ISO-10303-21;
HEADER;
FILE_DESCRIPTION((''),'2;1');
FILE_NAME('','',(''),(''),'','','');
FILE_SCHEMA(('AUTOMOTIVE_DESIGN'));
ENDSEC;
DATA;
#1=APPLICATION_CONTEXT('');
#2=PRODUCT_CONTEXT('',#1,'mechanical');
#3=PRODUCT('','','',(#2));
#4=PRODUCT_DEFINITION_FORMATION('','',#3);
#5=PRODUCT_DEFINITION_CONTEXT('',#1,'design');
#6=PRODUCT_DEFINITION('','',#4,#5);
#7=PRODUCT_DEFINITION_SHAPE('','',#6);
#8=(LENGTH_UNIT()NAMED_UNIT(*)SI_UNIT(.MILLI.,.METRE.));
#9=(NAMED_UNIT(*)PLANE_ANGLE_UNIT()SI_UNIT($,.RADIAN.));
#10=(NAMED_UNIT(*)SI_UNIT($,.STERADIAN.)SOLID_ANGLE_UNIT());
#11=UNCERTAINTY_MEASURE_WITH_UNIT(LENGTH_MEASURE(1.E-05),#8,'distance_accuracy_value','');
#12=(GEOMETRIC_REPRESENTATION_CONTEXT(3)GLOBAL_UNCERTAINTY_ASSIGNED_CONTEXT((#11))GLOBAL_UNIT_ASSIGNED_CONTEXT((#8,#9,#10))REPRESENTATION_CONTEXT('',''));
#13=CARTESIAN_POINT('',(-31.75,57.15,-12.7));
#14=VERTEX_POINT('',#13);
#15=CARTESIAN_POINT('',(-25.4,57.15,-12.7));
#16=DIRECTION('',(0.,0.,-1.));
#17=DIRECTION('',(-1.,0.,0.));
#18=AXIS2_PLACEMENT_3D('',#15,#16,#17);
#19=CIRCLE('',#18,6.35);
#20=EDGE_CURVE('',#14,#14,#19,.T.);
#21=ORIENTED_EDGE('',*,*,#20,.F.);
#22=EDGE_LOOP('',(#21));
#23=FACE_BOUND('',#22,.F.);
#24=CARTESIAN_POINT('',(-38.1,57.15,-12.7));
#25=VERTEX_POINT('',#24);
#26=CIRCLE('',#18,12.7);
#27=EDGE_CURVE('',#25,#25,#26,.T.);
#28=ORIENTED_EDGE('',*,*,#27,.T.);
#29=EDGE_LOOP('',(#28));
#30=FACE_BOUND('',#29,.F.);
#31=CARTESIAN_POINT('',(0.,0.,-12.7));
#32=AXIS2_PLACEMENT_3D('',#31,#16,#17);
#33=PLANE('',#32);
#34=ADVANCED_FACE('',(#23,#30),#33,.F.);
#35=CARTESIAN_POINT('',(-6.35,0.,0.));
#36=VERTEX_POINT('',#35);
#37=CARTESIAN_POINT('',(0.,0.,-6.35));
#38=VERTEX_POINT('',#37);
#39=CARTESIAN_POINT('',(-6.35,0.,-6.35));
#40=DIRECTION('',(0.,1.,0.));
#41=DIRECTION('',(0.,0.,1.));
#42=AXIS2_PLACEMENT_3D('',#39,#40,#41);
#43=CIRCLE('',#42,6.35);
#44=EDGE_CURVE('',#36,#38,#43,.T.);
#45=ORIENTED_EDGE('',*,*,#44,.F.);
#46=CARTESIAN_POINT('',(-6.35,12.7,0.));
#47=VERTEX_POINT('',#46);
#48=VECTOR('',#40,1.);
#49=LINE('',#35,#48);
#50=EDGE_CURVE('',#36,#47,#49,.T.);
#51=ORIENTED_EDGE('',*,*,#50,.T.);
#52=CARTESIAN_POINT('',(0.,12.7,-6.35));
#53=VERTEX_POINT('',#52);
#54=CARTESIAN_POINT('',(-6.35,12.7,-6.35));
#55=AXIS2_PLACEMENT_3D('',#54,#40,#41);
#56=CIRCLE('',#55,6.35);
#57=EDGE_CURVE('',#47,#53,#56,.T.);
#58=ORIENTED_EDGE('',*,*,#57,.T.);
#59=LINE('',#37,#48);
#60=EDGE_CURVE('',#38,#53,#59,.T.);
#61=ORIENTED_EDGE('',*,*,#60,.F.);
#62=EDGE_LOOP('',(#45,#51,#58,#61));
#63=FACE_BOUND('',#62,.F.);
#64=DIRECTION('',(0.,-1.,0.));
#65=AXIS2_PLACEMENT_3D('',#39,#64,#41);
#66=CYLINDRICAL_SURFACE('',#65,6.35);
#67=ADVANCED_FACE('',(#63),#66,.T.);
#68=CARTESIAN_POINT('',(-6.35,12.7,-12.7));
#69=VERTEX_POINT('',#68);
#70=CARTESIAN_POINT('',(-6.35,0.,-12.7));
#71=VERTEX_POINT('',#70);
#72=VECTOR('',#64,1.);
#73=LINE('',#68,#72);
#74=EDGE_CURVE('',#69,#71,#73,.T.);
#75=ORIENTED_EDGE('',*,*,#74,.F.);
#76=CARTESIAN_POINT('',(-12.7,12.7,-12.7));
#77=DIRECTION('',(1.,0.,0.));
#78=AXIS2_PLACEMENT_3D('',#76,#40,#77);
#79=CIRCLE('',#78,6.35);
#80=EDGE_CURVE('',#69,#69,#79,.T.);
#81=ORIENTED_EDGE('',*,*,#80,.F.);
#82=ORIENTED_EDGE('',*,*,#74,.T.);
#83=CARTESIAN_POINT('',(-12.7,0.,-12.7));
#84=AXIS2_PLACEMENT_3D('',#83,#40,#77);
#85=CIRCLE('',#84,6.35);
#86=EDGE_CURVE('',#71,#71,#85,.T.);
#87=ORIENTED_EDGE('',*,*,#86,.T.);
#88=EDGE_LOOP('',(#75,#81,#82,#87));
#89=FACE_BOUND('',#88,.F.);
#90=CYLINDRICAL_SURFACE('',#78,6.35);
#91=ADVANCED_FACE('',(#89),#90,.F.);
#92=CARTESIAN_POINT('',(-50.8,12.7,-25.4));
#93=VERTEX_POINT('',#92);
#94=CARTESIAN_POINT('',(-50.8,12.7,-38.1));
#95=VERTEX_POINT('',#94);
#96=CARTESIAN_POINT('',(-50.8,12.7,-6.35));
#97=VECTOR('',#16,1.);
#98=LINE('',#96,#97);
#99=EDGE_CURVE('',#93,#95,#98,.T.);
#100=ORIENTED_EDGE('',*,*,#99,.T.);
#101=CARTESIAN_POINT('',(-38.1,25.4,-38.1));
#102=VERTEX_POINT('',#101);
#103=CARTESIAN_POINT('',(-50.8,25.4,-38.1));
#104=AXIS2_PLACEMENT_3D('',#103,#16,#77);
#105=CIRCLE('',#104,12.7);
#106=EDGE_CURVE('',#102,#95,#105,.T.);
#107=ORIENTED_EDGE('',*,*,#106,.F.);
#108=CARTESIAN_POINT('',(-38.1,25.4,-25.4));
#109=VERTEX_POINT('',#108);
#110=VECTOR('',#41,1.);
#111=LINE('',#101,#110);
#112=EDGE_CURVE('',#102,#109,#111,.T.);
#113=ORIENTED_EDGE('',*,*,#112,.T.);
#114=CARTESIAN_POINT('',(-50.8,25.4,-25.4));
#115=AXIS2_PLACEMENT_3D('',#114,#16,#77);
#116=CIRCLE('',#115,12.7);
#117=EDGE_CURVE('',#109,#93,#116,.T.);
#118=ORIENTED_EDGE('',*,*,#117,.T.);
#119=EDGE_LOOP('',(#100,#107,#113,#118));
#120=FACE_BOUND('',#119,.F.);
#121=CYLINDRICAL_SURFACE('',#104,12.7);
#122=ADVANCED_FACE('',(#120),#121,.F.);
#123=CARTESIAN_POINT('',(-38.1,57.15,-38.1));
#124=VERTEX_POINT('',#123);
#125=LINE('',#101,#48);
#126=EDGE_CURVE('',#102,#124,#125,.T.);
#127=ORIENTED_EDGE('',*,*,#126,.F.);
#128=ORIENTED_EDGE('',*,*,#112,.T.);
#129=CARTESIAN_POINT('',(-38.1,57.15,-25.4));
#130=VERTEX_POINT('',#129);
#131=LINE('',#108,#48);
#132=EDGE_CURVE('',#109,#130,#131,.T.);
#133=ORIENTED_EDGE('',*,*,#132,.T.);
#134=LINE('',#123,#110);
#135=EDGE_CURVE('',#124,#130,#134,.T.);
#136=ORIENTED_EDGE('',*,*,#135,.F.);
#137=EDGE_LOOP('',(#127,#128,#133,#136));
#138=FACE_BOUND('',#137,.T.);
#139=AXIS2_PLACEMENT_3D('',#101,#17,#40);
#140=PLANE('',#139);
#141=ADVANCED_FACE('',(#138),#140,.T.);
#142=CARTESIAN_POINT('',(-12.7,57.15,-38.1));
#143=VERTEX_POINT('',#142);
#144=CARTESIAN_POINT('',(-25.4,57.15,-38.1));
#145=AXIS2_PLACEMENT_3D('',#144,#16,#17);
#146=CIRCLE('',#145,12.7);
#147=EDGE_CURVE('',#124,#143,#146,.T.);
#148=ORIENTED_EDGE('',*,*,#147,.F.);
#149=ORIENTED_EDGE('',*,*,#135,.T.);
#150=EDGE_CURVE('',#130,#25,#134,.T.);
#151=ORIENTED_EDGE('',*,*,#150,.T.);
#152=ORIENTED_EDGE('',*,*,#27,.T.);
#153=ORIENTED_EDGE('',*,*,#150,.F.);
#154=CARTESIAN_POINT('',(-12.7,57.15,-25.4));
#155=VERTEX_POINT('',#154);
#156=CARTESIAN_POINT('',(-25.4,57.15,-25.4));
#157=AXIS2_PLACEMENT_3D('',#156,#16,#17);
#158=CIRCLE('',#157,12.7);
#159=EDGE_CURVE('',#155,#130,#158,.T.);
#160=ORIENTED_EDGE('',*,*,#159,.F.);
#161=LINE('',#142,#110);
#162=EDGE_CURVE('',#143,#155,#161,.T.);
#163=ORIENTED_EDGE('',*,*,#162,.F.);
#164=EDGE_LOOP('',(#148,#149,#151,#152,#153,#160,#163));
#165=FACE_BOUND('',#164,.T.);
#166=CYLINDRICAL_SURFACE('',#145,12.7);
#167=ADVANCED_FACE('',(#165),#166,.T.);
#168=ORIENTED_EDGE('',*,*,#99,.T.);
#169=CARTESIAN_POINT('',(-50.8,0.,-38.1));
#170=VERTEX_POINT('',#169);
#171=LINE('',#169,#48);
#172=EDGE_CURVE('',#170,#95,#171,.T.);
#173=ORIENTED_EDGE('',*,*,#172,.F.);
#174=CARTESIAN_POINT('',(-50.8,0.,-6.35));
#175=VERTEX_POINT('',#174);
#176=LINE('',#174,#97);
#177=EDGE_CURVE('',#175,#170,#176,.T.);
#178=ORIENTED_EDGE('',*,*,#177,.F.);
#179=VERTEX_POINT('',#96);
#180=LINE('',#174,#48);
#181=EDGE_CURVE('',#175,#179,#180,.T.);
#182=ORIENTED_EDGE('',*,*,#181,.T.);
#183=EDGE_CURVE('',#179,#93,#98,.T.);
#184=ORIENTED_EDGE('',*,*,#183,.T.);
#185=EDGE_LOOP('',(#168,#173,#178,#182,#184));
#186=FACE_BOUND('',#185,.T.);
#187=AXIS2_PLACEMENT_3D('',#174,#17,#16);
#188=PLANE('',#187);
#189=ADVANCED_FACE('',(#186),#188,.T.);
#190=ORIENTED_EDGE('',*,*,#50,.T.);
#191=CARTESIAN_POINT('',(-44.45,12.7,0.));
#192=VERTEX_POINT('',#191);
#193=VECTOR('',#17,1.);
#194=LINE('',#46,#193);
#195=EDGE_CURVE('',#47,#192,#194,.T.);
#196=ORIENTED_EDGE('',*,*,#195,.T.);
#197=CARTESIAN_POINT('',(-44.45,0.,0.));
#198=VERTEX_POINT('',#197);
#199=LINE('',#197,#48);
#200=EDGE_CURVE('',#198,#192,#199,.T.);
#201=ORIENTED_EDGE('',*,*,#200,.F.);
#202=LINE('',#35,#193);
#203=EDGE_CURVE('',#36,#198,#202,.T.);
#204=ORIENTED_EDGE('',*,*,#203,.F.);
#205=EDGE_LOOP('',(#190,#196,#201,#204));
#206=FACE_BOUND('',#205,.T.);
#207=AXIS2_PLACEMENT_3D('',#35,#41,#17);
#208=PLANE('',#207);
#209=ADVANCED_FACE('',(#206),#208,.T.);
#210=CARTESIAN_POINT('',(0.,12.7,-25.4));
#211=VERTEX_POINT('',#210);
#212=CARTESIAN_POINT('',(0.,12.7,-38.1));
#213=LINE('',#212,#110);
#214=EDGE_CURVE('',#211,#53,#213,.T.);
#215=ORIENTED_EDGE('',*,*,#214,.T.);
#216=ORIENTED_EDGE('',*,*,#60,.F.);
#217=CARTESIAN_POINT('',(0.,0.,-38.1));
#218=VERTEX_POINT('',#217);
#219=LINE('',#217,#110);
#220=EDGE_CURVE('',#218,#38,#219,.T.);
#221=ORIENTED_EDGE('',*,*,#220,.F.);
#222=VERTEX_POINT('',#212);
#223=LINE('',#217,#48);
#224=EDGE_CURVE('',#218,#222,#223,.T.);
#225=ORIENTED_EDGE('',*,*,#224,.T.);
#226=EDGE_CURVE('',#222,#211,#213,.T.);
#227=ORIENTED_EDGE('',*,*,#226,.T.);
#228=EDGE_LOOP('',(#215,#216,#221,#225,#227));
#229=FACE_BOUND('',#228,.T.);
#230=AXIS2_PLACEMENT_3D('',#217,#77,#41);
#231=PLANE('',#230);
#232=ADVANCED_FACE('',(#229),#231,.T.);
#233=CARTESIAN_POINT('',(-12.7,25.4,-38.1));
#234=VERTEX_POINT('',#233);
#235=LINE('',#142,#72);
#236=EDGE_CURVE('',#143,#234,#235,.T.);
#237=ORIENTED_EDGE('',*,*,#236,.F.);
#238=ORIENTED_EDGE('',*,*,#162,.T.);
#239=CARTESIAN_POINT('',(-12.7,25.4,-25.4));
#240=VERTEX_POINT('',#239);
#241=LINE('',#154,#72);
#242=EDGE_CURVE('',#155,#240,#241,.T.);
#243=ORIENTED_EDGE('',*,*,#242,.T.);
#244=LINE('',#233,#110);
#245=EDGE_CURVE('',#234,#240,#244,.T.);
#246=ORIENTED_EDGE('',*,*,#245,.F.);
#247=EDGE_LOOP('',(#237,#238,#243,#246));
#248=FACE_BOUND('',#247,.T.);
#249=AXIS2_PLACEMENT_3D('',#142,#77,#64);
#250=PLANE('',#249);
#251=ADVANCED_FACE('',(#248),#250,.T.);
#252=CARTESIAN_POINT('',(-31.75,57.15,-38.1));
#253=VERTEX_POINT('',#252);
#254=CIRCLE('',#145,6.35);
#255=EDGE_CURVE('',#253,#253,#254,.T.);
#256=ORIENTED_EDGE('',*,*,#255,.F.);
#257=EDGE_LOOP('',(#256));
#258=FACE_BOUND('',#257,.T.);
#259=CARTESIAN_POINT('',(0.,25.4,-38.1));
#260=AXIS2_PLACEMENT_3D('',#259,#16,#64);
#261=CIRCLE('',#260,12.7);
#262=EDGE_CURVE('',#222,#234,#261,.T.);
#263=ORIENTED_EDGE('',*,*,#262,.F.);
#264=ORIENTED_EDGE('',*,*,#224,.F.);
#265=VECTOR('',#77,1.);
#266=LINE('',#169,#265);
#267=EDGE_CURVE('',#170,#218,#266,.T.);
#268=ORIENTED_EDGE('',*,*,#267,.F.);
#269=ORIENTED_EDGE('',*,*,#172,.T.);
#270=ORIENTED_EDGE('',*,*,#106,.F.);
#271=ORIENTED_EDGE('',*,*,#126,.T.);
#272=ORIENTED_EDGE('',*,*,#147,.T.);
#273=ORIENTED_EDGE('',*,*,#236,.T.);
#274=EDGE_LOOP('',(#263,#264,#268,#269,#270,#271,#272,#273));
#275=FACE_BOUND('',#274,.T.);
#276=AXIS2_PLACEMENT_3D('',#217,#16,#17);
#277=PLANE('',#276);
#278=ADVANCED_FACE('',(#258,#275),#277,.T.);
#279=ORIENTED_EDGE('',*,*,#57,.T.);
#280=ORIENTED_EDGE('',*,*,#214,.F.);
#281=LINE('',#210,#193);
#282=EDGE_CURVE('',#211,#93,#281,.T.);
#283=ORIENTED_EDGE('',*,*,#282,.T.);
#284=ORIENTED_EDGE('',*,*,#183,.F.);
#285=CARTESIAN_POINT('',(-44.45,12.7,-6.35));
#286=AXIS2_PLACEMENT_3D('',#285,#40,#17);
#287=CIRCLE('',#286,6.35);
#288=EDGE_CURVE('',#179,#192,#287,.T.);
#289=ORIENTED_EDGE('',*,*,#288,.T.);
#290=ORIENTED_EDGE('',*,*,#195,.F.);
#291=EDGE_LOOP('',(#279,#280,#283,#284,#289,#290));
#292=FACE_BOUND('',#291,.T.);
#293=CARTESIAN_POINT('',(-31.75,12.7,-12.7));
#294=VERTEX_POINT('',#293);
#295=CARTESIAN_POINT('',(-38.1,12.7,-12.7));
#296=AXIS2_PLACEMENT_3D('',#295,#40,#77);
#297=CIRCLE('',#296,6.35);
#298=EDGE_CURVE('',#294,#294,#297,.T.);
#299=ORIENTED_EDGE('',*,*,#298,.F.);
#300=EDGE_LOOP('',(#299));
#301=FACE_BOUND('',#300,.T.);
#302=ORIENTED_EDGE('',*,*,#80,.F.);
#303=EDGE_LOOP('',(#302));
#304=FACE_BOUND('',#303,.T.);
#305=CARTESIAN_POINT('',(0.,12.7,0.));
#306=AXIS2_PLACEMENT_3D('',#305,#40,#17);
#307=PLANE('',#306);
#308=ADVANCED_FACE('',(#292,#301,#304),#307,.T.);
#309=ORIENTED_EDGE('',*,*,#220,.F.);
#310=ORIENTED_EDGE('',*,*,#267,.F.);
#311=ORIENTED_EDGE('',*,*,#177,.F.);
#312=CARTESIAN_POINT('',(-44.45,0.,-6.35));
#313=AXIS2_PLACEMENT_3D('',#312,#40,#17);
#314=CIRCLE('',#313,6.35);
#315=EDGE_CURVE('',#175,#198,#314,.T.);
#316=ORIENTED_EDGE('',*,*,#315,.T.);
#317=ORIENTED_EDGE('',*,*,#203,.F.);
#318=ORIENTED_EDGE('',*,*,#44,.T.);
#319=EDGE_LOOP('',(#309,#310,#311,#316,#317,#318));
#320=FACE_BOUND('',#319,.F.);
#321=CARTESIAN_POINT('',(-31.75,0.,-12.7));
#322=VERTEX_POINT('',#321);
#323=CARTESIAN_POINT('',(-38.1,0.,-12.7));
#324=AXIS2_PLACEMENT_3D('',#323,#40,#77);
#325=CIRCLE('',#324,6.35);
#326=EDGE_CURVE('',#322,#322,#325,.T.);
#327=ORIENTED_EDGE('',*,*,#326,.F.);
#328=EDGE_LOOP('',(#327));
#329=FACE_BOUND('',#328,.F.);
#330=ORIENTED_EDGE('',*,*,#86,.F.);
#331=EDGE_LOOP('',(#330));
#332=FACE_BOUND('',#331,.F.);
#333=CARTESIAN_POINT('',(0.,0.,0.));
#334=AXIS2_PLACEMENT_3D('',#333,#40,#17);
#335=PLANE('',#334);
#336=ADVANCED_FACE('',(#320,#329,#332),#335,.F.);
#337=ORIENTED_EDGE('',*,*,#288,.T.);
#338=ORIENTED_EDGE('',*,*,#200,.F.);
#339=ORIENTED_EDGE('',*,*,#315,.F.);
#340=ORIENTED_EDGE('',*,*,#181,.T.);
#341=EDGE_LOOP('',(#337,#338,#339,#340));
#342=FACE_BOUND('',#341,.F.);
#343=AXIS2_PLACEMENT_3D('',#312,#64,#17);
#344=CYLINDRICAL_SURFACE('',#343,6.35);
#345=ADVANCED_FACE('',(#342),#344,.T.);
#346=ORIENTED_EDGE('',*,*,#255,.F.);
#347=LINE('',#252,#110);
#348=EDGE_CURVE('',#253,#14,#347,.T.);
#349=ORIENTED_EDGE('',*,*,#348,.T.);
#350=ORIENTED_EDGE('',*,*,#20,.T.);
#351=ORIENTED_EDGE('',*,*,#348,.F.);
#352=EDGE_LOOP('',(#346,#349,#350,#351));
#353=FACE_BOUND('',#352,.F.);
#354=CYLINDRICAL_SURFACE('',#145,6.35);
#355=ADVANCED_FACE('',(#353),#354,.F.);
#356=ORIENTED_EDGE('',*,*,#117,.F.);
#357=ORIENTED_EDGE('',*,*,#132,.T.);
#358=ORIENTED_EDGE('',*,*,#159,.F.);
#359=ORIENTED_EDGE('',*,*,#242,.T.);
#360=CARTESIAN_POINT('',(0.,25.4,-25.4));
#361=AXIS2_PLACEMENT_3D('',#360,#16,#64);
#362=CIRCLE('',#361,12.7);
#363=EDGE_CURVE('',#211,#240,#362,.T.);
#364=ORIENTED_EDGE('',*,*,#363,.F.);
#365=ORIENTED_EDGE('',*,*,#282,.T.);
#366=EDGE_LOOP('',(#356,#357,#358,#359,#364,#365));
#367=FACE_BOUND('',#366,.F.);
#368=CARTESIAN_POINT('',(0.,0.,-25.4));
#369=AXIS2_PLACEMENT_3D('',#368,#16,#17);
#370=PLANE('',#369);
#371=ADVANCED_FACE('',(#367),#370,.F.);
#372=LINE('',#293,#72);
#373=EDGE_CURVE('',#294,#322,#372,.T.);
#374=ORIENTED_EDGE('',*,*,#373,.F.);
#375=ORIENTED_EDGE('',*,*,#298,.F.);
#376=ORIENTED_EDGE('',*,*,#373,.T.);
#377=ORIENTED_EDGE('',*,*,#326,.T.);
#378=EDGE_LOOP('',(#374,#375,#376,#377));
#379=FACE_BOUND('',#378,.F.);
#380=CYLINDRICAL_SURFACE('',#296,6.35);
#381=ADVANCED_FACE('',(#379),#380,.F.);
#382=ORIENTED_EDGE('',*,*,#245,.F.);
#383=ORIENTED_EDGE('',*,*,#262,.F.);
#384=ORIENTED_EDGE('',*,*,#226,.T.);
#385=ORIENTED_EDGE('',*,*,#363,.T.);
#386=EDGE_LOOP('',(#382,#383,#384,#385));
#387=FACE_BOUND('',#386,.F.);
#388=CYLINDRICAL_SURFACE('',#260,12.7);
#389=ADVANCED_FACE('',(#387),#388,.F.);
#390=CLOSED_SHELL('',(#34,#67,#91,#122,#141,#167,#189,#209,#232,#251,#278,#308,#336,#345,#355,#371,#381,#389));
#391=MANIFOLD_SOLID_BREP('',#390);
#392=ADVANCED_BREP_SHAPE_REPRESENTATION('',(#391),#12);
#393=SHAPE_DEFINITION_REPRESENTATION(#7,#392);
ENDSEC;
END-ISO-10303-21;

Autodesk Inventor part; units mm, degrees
ref_plane "YZ Plane" through (0, 0, 0) normal (1, 0, 0) x (0, 1, 0)
ref_plane "XZ Plane" through (0, 0, 0) normal (0, 1, 0) x (-1, 0, 0)
ref_plane "XY Plane" through (0, 0, 0) normal (0, 0, 1) x (1, 0, 0)
sketch "Sketch1" plane through (0, 0, 0) normal (0, 1, 0) x (-1, 0, 0)
  line L0 (6.35, 0) -> (44.45, 0)
  line L1 (50.8, -6.35) -> (50.8, -38.1)
  line L2 (50.8, -38.1) -> (0, -38.1)
  line L3 (0, -38.1) -> (0, -6.35)
  arc A0 (50.8, -6.35) -> (44.45, 0) centre (44.45, -6.35) ccw
  arc A1 (6.35, 0) -> (0, -6.35) centre (6.35, -6.35) ccw
  point P0 (0, 0)
  point P1 (50.8, 0)
  dimension "d0" = 50.8
  dimension "d1" = 38.1
  dimension "d2" = 6.35
  dimension "d3" = 6.35
extrude "Extrusion1" add sketch "Sketch1" along normal blind 12.7
sketch "Sketch2" plane through (0, 0, -38.1) normal (0, 0, -1) x (-1, 0, 0)
  circle A0 centre (25.4, 57.15) radius 6.35
  circle A1 centre (25.4, 57.15) radius 12.7
  line L0 (38.1, 25.4) -> (38.1, 57.15)
  line L1 (12.7, 57.15) -> (12.7, 25.4)
  line L2 (0, 12.7) -> (50.8, 12.7) projected
  line L3 (6.35, 12.7) -> (0, 12.7) projected
  arc A2 (0, 12.7) -> (12.7, 25.4) centre (0, 25.4) ccw
  arc A3 (38.1, 25.4) -> (50.8, 12.7) centre (50.8, 25.4) ccw
  point P0 (0, 0)
  point P1 (25.4, 12.7)
  dimension "d6" = 12.7
  dimension "d7" = 25.4
  dimension "d12" = 44.45
extrude "Extrusion2" add sketch "Sketch2" against normal blind 12.7 contours L0 A3 L2 A2 L1 A1
extrude "Extrusion3" add sketch "Sketch2" against normal blind 25.4 contours A1
sketch "Sketch3" plane through (0, 12.7, 0) normal (0, 1, 0) x (1, 0, 0)
  circle A0 centre (-38.1, 12.7) radius 6.35
  circle A1 centre (-12.7, 12.7) radius 6.35
  line L0 (-44.45, 0) -> (-6.35, 0) projected
  line L1 (0, 6.35) -> (0, 25.4) projected
  line L2 (-50.8, 25.4) -> (-50.8, 6.35) projected
  point P0 (0, 0)
  dimension "d17" = 12.7
  dimension "d18" = 12.7
  dimension "d19" = 12.7
  dimension "d20" = 12.7
  dimension "d21" = 12.7
  dimension "d22" = 12.7
extrude "Extrusion4" cut sketch "Sketch3" against normal through all
properties part number "7.1 Part 5"
